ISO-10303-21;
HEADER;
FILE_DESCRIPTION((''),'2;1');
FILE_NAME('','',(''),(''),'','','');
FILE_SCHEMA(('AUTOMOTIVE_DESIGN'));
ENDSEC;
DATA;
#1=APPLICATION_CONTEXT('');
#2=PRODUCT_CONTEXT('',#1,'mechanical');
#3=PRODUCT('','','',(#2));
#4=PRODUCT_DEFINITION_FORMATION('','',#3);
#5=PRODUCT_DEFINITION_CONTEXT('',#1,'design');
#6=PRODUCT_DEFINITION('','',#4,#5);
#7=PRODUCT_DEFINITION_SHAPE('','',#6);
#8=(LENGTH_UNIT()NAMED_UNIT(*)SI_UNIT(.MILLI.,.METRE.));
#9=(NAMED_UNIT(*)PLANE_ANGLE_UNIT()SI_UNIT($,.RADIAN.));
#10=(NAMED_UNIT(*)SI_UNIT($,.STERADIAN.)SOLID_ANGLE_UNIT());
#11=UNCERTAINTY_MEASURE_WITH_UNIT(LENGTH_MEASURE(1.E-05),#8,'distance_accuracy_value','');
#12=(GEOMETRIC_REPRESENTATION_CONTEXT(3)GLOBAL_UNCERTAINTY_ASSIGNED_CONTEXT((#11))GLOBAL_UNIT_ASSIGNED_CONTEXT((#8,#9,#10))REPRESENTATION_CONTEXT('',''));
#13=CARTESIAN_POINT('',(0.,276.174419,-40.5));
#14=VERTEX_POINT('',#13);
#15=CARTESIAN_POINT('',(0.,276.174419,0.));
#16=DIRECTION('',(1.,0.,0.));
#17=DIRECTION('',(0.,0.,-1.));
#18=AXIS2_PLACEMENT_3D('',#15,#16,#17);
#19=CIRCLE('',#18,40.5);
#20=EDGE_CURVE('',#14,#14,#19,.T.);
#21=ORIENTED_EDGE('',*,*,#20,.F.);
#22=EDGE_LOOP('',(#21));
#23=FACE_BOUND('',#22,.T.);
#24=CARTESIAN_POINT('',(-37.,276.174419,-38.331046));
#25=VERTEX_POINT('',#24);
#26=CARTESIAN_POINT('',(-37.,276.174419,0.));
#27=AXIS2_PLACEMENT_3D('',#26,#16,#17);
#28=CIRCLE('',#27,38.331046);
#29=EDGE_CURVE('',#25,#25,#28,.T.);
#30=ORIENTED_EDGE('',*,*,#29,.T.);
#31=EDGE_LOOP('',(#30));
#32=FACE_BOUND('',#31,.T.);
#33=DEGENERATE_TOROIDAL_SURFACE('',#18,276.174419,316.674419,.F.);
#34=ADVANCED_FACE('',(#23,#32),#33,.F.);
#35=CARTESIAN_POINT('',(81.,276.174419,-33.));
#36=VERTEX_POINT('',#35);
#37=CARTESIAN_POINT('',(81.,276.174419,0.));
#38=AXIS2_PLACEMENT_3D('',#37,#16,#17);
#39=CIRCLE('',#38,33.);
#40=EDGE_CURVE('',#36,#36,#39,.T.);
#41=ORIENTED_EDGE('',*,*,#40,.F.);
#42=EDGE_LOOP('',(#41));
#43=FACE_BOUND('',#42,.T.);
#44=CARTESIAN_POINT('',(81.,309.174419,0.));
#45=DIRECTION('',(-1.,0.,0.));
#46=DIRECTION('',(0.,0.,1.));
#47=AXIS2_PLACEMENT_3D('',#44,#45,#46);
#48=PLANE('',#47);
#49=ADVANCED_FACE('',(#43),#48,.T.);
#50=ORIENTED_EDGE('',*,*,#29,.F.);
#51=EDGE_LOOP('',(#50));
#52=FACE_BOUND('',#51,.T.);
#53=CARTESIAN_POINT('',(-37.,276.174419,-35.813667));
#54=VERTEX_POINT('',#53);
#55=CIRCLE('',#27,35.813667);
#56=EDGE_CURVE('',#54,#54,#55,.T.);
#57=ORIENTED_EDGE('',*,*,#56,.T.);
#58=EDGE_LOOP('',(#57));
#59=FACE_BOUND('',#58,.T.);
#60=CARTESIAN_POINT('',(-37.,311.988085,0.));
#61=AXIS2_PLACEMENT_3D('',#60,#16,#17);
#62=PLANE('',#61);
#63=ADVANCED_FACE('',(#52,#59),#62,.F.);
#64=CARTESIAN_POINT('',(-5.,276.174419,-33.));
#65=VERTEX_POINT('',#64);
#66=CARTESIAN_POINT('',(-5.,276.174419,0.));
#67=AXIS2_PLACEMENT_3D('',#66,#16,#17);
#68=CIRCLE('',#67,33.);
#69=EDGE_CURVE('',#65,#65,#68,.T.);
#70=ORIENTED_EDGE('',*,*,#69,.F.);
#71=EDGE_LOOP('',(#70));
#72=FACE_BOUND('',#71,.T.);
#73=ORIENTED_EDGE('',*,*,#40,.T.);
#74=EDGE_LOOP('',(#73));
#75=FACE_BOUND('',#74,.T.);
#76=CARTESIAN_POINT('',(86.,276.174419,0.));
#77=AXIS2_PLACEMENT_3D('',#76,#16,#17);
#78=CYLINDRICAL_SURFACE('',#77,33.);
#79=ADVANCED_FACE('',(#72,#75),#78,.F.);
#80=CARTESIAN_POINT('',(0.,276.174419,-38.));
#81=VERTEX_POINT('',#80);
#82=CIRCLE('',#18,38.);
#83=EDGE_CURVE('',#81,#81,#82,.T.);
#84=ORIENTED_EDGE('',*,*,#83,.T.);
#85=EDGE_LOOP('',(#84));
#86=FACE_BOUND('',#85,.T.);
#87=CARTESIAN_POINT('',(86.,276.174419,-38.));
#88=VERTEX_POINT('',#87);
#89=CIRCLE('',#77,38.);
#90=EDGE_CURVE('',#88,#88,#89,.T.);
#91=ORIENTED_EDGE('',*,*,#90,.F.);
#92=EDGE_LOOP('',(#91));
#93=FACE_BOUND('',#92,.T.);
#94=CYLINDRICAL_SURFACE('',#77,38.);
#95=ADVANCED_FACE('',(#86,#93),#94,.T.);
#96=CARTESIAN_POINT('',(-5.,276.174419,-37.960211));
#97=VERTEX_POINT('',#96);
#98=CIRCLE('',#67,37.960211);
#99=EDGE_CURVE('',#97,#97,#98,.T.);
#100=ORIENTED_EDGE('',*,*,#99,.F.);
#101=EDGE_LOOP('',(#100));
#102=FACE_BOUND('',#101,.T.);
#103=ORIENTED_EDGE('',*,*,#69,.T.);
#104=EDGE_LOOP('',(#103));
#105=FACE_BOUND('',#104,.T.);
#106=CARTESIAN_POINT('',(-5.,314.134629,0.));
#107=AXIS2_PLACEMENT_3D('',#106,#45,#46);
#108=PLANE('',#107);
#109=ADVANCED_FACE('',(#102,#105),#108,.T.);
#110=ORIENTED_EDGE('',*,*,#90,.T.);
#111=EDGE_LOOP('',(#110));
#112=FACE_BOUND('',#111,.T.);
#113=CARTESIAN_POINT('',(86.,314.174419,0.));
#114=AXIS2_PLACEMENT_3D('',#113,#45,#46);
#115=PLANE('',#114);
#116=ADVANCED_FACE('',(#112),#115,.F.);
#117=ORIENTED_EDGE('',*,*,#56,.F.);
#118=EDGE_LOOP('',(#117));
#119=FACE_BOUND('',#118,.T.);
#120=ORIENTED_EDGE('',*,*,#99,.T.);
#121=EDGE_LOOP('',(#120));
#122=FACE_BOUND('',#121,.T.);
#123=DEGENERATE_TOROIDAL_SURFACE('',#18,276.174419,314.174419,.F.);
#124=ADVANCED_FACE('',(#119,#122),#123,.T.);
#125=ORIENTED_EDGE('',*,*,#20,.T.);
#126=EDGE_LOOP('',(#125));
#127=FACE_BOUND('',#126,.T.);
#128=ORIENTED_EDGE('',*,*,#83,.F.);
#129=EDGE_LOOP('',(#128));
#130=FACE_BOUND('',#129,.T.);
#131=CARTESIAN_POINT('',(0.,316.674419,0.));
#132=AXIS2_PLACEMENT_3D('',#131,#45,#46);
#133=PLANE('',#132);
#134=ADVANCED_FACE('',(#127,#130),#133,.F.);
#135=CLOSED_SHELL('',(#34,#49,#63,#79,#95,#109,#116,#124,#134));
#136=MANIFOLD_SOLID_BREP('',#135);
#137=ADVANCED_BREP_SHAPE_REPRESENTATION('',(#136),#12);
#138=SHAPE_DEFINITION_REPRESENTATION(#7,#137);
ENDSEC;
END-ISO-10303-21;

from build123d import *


with BuildPart() as part:
    # Sketch1 → Revolve1 (revolve)
    with BuildSketch(Plane.XY, mode=Mode.PRIVATE) as revolve1_sk:
        with BuildLine():
            Line((0, 316.674418605), (0, 314.174418605))
            Line((0, 314.174418605), (86, 314.174418605))
            Line((86, 314.174418605), (86, 276.174418605))
            Line((86, 276.174418605), (81, 276.174418605))
            Line((81, 276.174418605), (81, 309.174418605))
            Line((81, 309.174418605), (-5, 309.174418605))
            Line((-5, 309.174418605), (-5, 314.134629268))
            ThreePointArc((-5, 314.134629268), (-21.02740861, 313.469956125), (-37, 311.988085198))
            Line((-37, 311.988085198), (-37, 314.505464815))
            ThreePointArc((-37, 314.505464815), (-18.53175896, 316.131715126), (0, 316.674418605))
        make_face()
    revolve(revolve1_sk.sketch.rotate(Axis((86, 276.174418605, 0), (-1, 0, 0)), 90), axis=Axis((86, 276.174418605, 0), (-1, 0, 0)))


solid = part.part
